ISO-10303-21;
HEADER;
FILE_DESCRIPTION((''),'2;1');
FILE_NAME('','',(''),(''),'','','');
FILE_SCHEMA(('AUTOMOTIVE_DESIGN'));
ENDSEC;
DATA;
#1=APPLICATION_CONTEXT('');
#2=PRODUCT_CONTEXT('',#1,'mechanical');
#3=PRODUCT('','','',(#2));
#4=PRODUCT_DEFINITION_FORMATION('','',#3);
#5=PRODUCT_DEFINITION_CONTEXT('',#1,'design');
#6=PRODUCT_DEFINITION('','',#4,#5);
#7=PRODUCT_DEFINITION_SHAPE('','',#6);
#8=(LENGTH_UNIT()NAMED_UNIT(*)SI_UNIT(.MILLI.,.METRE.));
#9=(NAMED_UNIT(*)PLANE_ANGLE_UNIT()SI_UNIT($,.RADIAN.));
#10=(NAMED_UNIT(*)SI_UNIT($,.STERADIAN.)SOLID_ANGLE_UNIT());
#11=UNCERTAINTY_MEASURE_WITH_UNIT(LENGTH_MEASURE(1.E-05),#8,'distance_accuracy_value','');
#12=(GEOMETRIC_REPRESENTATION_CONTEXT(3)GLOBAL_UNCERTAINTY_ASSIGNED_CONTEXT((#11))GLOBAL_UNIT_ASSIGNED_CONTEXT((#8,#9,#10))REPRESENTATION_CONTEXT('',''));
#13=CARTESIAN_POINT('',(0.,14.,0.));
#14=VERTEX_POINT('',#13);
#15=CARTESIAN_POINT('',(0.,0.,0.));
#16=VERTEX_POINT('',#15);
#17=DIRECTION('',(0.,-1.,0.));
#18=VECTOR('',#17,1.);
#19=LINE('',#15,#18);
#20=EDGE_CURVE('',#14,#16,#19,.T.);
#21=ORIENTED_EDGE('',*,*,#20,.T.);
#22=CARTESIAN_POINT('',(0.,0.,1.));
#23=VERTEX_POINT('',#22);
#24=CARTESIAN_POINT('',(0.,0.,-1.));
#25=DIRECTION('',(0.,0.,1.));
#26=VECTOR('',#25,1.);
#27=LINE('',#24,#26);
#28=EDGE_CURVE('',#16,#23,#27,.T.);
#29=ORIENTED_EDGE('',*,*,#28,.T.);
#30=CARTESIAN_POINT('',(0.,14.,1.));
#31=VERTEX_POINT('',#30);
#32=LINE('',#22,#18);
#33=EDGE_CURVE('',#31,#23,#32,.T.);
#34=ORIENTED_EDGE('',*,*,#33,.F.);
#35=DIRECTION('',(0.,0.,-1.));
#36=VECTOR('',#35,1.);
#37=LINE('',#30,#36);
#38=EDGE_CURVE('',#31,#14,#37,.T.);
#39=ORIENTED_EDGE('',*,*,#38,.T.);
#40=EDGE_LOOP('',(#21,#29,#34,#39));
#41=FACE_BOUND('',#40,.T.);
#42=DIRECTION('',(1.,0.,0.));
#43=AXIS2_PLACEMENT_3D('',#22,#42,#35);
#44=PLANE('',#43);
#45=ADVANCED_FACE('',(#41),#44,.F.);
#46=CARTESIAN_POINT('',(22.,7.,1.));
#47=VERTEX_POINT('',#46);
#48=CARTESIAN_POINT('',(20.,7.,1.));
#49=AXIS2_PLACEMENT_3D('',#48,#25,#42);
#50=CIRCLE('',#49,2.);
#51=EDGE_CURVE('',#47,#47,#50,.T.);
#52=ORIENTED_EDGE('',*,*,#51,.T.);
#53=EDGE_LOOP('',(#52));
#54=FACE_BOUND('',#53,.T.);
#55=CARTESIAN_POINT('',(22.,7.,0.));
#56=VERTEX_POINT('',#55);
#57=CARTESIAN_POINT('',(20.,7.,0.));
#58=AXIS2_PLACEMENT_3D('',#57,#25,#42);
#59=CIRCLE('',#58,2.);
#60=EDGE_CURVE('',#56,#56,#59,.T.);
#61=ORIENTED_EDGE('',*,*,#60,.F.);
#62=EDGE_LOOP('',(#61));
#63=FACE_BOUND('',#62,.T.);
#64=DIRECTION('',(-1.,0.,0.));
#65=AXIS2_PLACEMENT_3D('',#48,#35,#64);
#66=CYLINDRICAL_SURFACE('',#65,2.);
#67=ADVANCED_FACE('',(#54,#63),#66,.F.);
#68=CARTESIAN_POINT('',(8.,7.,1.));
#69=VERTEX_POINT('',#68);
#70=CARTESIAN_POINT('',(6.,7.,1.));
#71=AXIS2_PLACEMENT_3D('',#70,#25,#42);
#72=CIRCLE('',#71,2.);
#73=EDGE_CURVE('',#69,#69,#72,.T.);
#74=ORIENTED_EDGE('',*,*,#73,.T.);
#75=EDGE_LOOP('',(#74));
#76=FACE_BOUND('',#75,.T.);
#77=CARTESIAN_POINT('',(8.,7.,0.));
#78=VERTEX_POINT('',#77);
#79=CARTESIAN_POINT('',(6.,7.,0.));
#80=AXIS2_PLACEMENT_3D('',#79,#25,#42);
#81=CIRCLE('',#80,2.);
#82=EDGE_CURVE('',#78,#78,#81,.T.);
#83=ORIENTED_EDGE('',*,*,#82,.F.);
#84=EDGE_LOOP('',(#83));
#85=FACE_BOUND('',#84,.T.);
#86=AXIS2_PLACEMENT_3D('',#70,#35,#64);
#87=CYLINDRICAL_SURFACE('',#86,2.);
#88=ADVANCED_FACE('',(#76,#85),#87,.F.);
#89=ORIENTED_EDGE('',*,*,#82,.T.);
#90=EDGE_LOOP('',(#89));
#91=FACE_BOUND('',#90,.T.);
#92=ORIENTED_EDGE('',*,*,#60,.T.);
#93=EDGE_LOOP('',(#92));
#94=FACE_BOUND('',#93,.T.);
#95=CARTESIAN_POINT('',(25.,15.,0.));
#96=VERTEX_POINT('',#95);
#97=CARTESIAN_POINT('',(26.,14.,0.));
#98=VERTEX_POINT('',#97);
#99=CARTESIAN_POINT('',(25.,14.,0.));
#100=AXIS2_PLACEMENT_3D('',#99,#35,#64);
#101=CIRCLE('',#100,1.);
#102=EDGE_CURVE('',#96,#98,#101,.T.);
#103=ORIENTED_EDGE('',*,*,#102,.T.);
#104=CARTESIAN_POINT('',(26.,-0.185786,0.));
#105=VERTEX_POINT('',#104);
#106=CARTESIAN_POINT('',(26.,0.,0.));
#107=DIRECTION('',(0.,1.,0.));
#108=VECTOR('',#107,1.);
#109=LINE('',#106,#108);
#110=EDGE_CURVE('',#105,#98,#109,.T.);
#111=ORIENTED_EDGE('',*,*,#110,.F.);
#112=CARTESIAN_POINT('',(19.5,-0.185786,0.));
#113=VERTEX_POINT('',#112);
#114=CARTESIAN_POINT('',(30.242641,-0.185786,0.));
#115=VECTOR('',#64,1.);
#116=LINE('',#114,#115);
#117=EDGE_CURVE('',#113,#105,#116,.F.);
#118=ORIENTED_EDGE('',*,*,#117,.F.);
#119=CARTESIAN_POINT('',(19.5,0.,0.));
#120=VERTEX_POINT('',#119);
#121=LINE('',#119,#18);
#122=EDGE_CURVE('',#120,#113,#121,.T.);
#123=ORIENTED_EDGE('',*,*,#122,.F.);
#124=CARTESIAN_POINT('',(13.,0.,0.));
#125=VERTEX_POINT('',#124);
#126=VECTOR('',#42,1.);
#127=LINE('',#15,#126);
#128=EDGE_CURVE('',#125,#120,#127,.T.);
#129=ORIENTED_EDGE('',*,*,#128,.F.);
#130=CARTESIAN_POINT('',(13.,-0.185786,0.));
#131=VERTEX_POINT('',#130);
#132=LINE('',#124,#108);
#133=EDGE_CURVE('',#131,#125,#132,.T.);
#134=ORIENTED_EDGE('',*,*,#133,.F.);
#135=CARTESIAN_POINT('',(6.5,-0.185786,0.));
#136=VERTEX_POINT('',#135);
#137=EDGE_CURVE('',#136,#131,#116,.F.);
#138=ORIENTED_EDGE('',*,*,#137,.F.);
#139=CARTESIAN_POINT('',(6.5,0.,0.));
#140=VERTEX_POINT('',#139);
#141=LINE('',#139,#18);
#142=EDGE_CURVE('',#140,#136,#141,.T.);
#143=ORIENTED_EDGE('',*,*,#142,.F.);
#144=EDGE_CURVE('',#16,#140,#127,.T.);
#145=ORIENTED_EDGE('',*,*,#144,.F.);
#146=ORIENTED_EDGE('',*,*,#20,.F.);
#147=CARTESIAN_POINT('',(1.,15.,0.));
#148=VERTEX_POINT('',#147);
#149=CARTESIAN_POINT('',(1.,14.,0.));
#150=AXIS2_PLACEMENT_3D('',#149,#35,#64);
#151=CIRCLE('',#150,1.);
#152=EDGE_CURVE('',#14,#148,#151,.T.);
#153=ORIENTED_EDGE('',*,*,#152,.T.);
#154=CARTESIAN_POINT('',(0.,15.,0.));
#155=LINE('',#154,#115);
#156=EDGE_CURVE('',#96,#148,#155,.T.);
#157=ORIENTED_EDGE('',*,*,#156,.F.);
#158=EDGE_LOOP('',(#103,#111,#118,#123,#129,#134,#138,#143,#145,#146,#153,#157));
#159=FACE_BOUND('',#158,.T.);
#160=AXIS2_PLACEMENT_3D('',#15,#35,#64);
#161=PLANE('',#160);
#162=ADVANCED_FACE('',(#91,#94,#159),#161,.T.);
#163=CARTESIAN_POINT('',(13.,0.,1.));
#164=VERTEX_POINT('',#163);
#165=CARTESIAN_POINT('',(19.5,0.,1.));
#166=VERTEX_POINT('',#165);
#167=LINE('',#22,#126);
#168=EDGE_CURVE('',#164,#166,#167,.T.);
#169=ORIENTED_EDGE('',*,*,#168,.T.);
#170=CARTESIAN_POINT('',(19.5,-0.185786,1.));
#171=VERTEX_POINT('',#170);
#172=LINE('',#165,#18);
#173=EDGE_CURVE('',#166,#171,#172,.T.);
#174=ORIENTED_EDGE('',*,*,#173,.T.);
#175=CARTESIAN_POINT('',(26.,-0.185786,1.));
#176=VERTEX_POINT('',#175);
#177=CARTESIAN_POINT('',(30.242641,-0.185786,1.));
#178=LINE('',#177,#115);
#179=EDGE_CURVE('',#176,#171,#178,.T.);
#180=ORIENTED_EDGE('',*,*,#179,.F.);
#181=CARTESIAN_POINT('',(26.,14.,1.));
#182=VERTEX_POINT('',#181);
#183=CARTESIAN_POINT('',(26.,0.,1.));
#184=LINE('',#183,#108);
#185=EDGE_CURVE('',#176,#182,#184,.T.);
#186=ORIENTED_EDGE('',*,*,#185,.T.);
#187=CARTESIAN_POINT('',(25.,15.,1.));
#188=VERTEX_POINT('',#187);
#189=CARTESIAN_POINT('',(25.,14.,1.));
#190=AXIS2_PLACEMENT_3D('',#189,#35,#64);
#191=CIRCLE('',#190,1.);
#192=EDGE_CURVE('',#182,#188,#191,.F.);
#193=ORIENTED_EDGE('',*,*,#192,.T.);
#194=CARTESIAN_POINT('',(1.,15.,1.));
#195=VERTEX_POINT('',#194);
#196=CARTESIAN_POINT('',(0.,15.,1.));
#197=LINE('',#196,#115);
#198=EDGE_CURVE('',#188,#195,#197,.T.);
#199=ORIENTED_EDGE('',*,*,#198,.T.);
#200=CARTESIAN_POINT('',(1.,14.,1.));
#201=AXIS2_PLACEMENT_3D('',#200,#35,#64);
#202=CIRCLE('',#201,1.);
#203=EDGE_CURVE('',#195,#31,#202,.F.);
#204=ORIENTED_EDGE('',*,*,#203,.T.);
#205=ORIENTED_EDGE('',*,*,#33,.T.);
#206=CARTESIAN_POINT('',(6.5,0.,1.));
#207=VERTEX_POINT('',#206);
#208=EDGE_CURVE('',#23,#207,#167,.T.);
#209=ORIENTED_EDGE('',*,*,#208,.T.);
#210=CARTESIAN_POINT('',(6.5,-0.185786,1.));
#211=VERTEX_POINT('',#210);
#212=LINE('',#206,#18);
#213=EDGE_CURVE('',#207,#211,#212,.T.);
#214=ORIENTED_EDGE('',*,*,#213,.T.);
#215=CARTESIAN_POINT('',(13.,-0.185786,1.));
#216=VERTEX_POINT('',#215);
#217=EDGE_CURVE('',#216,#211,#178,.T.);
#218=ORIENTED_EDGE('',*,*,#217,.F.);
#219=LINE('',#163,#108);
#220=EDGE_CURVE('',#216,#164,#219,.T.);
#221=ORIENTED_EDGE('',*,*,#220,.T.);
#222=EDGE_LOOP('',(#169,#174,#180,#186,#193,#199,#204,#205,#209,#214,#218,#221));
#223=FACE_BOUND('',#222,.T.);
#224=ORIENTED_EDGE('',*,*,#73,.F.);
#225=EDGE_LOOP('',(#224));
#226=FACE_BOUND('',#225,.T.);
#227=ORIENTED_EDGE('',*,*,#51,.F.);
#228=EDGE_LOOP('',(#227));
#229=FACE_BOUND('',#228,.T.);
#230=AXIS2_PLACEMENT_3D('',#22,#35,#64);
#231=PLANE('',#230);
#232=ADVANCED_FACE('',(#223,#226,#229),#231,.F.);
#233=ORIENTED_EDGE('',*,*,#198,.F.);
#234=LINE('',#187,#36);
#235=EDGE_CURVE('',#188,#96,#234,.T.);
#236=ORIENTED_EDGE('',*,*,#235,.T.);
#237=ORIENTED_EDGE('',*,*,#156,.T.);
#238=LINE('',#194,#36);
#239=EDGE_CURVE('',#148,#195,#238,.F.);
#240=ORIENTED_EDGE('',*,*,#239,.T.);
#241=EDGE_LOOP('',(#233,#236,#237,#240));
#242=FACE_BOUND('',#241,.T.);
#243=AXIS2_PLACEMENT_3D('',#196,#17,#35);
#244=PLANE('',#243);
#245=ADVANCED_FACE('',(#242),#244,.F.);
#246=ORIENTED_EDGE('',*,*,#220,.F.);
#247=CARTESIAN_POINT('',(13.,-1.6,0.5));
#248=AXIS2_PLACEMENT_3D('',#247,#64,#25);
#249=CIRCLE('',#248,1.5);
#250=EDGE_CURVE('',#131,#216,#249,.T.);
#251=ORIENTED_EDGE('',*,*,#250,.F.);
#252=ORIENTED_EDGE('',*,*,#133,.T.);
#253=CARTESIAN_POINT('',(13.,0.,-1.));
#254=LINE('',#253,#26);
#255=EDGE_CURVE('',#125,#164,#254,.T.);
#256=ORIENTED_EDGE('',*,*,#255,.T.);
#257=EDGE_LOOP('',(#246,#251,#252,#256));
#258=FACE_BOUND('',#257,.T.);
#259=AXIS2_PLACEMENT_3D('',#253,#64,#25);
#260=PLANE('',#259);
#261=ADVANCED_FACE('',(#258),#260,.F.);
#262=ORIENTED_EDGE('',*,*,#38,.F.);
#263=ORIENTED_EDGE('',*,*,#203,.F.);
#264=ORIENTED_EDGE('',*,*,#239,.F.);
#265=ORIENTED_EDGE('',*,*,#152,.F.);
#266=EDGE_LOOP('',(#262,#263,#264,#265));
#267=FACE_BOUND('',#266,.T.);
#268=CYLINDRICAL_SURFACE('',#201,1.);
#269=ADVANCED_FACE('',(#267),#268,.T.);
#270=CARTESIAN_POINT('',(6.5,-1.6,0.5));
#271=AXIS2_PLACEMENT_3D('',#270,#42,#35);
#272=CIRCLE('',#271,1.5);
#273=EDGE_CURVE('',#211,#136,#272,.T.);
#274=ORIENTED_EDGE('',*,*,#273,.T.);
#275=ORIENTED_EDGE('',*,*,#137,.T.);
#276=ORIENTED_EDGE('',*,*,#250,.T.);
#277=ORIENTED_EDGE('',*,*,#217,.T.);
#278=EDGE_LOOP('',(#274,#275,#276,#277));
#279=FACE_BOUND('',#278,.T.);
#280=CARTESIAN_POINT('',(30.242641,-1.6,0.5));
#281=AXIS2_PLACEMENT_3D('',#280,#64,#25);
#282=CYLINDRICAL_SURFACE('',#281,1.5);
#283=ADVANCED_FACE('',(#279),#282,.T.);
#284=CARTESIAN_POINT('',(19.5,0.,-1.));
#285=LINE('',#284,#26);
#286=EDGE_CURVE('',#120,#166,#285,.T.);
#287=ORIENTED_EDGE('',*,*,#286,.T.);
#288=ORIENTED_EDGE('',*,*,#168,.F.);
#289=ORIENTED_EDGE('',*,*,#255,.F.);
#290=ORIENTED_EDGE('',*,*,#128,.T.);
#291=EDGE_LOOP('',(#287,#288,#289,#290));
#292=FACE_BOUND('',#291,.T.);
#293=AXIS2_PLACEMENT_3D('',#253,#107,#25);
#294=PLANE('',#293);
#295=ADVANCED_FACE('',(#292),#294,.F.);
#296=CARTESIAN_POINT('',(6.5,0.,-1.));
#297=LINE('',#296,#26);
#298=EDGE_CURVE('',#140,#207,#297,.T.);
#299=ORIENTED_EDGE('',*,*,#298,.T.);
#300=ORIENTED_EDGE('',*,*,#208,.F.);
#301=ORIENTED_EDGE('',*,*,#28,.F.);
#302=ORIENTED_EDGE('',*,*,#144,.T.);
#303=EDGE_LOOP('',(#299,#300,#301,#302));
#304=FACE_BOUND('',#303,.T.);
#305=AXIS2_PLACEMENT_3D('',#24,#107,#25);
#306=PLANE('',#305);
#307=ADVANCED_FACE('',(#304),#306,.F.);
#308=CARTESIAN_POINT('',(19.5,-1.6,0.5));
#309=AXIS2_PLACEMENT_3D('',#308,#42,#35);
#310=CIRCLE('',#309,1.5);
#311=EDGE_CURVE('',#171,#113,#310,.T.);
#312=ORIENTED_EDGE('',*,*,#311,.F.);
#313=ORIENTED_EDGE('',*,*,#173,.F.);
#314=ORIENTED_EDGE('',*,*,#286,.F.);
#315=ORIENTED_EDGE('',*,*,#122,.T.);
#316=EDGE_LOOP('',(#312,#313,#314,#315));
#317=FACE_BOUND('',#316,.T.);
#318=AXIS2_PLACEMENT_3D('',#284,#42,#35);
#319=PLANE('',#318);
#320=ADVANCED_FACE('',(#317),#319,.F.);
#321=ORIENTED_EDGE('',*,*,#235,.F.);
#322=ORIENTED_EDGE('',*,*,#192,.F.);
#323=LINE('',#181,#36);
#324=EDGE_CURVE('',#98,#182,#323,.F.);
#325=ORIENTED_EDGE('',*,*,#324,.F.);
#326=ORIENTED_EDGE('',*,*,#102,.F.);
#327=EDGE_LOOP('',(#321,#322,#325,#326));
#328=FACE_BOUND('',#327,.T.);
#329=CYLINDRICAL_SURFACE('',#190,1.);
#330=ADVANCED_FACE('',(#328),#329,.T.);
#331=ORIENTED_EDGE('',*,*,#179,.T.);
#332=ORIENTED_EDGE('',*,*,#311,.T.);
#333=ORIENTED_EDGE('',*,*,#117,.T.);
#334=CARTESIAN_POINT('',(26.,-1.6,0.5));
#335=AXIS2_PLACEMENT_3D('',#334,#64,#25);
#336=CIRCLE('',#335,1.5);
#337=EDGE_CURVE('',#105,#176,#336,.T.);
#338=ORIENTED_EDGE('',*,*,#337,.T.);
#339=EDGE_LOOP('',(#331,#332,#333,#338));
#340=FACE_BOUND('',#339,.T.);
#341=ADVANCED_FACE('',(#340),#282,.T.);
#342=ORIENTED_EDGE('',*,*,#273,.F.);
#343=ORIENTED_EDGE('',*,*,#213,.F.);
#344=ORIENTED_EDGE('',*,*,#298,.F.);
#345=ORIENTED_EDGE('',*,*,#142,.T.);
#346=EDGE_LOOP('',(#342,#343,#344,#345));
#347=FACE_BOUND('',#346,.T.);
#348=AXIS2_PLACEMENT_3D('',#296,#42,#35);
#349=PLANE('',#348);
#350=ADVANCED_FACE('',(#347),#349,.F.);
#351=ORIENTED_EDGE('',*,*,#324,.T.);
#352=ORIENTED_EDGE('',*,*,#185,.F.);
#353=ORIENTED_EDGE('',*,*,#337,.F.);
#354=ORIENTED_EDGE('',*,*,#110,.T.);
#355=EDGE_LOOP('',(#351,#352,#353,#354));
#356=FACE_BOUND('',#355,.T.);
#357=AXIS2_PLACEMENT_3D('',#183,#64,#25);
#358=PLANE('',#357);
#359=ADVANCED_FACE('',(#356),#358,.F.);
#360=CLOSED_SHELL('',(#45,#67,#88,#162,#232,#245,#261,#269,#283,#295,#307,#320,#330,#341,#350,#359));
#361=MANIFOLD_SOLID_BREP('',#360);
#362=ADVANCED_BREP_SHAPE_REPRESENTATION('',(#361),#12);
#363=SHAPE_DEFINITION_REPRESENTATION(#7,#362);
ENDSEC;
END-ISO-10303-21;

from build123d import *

# Parameters (mm, degrees)
SKETCH1_W               = 26
SKETCH1_H               = 15
SKETCH1_R               = 2
BOSS_EXTRUDE1_DEPTH     = 1
FILLET1_R               = 1
SKETCH3_R               = 1.5
BOSS_EXTRUDE2_DEPTH     = 26
BOSS_EXTRUDE3_REACH     = 32.083
SKETCH6_W               = 26
SKETCH6_H               = 1
CUT_EXTRUDE1_DEPTH      = 31.083217913
CUT_EXTRUDE1_DEPTH_BACK = 31.083217913
SKETCH8_W               = 6.5
SKETCH8_H               = 3.1


with BuildPart() as part:
    # Sketch1 → Boss-Extrude1 (new body)
    with BuildSketch(Plane.XY):
        with Locations((13, 7.5)):
            Rectangle(SKETCH1_W, SKETCH1_H)
        with Locations((6, 7)):
            Circle(SKETCH1_R, mode=Mode.SUBTRACT)
        with Locations((20, 7)):
            Circle(SKETCH1_R, mode=Mode.SUBTRACT)
    extrude(amount=BOSS_EXTRUDE1_DEPTH)

    # Fillet1
    fillet1_edges = [part.edges().sort_by_distance(p)[0] for p in [
        (0, 15, 0.5),
        (26, 15, 0.5),
    ]]
    fillet(fillet1_edges, radius=FILLET1_R)


with BuildPart() as body_2:
    # Sketch3 → Boss-Extrude2 (new body)
    with BuildSketch(Plane(origin=(0, 0, 0), x_dir=(0, 0, -1), z_dir=(1, 0, 0))):
        with Locations(Location((-0.5, -1.6, 0), (0, 0, 180))):
            Circle(SKETCH3_R)
    extrude(amount=BOSS_EXTRUDE2_DEPTH)

    # Sketch6 → Boss-Extrude3 (add, up to next)
    with BuildSketch(Plane.XZ, mode=Mode.PRIVATE) as boss_extrude3_sk1:
        with Locations((13, 0.5)):
            Rectangle(SKETCH6_W, SKETCH6_H)
    boss_extrude3_tool1 = extrude(boss_extrude3_sk1.sketch, amount=BOSS_EXTRUDE3_REACH, mode=Mode.PRIVATE) - body_2.part

    add(part.part)  # Boss-Extrude3 merges part
    add(boss_extrude3_tool1.solids().sort_by_distance((13, 0, 0.5))[0])

    # Sketch8 → Cut-Extrude1 (cut, two sides: drawn at the far end of the back side and taken through both)
    with BuildSketch(Plane.XY.offset(-CUT_EXTRUDE1_DEPTH_BACK)):
        with Locations((3.25, -1.55)):
            Rectangle(SKETCH8_W, SKETCH8_H)
        with Locations((16.25, -1.55)):
            Rectangle(SKETCH8_W, SKETCH8_H)
    extrude(amount=CUT_EXTRUDE1_DEPTH + CUT_EXTRUDE1_DEPTH_BACK, mode=Mode.SUBTRACT)


solid = body_2.part
